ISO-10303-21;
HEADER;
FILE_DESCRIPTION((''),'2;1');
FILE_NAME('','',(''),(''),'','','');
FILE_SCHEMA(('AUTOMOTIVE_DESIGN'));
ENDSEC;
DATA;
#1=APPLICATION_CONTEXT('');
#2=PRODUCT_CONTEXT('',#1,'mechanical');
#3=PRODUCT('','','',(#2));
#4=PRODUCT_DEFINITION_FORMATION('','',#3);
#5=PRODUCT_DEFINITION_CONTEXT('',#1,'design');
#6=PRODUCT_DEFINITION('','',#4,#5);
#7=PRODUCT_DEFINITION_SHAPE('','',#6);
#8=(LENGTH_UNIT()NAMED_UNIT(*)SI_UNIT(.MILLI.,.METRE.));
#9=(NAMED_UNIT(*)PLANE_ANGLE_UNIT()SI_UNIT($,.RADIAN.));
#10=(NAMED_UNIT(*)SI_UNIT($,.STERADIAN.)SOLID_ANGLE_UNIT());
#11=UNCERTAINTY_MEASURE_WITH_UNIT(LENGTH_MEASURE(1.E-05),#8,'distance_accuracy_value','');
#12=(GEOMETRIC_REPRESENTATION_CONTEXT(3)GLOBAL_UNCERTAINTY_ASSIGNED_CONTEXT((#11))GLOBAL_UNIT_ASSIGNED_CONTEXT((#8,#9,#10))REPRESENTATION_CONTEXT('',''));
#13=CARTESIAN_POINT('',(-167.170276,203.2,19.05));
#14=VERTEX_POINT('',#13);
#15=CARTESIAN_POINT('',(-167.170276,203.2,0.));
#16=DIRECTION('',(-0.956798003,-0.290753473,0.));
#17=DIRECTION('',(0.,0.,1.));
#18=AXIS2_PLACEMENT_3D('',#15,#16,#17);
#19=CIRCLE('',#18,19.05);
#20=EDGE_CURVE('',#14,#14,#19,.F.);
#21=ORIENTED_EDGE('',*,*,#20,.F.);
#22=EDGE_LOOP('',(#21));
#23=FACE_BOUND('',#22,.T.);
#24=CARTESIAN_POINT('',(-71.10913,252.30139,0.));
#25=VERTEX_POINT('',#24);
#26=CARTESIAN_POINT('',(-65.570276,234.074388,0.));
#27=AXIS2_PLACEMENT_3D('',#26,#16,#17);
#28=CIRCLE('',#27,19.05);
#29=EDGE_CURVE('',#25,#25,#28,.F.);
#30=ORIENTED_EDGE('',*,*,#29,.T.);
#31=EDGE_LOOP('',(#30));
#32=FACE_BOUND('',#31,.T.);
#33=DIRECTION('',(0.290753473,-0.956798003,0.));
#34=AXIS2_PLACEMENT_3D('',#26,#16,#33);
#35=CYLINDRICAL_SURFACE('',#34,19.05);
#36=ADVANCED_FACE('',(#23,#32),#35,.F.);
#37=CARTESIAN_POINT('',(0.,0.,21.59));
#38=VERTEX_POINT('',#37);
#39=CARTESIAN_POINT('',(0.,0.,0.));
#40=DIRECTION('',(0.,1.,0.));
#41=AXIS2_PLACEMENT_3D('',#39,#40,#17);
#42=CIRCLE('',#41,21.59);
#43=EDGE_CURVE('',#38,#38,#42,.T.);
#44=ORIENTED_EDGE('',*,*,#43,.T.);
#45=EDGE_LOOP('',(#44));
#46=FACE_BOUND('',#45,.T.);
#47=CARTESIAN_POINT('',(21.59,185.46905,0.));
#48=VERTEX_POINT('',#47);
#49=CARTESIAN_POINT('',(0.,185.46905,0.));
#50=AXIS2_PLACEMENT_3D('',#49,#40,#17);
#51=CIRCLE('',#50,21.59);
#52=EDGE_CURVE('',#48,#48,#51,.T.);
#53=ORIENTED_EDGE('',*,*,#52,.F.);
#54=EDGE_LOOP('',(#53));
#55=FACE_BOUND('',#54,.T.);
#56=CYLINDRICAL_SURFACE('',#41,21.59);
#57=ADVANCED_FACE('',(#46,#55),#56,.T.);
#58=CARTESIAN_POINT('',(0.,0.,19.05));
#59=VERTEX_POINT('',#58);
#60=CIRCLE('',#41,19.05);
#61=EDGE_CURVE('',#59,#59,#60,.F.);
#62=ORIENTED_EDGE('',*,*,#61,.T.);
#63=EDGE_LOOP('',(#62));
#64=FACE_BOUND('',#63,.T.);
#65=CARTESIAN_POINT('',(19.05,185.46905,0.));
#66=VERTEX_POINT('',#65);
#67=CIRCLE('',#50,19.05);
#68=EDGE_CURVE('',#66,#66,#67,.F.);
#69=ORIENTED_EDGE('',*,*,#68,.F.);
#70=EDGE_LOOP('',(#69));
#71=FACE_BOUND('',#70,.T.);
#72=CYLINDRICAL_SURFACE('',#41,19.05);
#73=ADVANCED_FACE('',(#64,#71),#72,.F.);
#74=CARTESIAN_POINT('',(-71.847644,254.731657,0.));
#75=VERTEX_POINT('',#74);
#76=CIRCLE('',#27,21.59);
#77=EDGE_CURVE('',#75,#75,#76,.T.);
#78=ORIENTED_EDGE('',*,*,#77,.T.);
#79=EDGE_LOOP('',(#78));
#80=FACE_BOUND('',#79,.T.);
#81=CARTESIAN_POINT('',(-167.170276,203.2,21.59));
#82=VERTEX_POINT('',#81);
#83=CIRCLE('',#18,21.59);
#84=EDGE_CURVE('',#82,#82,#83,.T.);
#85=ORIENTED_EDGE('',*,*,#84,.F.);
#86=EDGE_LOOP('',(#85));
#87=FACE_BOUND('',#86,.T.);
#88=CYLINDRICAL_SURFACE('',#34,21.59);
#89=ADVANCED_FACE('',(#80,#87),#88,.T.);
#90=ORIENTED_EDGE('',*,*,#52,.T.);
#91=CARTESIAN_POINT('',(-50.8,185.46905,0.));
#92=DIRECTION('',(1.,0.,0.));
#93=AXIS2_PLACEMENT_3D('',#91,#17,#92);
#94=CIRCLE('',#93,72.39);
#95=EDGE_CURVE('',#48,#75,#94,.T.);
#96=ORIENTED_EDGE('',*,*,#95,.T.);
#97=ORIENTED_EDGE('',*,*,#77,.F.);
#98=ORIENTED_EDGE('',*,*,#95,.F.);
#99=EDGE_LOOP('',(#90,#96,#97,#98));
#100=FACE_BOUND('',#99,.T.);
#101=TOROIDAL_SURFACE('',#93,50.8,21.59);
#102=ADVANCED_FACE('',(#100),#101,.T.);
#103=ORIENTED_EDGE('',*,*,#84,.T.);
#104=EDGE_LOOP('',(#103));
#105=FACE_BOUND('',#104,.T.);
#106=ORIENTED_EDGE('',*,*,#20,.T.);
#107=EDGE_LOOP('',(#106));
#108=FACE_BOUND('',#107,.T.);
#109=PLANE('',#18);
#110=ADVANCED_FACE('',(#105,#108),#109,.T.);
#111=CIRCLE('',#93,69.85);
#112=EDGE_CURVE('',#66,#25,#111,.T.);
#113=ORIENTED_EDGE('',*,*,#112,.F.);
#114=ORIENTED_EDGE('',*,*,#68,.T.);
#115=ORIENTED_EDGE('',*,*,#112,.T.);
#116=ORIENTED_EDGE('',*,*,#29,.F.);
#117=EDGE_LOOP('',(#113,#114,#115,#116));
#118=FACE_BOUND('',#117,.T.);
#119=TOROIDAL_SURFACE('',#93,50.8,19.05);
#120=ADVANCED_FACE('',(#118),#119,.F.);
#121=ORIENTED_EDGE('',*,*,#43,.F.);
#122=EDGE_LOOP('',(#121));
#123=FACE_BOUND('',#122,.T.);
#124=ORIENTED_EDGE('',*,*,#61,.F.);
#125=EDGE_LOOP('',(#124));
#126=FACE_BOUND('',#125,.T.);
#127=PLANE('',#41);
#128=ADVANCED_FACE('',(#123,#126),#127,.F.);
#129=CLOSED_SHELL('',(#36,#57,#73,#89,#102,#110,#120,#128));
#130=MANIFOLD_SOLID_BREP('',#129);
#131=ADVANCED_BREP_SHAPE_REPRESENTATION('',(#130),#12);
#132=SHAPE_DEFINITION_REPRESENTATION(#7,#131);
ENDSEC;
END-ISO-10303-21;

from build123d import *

# Parameters (mm, degrees)
SKETCH1_R   = 21.59
SKETCH1_R_2 = 19.05


with BuildPart() as part:
    # Sweep1: sweep along a path in Sketch17
    with BuildLine(Plane.XY) as sweep1_path:
        Line((0, 0), (0, 185.469049607))
        ThreePointArc((0, 185.469049607), (-20.548471474, 226.279403952), (-65.57027645, 234.074388137))
        Line((-65.57027645, 234.074388137), (-167.17027645, 203.2))
    # Sketch1 → Sweep1 (sweep)
    with BuildSketch(Plane(origin=(0, 0, 0), x_dir=(1, 0, 0), z_dir=(0, 1, 0))):
        Circle(SKETCH1_R)
        Circle(SKETCH1_R_2, mode=Mode.SUBTRACT)
    sweep(path=sweep1_path.line)


solid = part.part
